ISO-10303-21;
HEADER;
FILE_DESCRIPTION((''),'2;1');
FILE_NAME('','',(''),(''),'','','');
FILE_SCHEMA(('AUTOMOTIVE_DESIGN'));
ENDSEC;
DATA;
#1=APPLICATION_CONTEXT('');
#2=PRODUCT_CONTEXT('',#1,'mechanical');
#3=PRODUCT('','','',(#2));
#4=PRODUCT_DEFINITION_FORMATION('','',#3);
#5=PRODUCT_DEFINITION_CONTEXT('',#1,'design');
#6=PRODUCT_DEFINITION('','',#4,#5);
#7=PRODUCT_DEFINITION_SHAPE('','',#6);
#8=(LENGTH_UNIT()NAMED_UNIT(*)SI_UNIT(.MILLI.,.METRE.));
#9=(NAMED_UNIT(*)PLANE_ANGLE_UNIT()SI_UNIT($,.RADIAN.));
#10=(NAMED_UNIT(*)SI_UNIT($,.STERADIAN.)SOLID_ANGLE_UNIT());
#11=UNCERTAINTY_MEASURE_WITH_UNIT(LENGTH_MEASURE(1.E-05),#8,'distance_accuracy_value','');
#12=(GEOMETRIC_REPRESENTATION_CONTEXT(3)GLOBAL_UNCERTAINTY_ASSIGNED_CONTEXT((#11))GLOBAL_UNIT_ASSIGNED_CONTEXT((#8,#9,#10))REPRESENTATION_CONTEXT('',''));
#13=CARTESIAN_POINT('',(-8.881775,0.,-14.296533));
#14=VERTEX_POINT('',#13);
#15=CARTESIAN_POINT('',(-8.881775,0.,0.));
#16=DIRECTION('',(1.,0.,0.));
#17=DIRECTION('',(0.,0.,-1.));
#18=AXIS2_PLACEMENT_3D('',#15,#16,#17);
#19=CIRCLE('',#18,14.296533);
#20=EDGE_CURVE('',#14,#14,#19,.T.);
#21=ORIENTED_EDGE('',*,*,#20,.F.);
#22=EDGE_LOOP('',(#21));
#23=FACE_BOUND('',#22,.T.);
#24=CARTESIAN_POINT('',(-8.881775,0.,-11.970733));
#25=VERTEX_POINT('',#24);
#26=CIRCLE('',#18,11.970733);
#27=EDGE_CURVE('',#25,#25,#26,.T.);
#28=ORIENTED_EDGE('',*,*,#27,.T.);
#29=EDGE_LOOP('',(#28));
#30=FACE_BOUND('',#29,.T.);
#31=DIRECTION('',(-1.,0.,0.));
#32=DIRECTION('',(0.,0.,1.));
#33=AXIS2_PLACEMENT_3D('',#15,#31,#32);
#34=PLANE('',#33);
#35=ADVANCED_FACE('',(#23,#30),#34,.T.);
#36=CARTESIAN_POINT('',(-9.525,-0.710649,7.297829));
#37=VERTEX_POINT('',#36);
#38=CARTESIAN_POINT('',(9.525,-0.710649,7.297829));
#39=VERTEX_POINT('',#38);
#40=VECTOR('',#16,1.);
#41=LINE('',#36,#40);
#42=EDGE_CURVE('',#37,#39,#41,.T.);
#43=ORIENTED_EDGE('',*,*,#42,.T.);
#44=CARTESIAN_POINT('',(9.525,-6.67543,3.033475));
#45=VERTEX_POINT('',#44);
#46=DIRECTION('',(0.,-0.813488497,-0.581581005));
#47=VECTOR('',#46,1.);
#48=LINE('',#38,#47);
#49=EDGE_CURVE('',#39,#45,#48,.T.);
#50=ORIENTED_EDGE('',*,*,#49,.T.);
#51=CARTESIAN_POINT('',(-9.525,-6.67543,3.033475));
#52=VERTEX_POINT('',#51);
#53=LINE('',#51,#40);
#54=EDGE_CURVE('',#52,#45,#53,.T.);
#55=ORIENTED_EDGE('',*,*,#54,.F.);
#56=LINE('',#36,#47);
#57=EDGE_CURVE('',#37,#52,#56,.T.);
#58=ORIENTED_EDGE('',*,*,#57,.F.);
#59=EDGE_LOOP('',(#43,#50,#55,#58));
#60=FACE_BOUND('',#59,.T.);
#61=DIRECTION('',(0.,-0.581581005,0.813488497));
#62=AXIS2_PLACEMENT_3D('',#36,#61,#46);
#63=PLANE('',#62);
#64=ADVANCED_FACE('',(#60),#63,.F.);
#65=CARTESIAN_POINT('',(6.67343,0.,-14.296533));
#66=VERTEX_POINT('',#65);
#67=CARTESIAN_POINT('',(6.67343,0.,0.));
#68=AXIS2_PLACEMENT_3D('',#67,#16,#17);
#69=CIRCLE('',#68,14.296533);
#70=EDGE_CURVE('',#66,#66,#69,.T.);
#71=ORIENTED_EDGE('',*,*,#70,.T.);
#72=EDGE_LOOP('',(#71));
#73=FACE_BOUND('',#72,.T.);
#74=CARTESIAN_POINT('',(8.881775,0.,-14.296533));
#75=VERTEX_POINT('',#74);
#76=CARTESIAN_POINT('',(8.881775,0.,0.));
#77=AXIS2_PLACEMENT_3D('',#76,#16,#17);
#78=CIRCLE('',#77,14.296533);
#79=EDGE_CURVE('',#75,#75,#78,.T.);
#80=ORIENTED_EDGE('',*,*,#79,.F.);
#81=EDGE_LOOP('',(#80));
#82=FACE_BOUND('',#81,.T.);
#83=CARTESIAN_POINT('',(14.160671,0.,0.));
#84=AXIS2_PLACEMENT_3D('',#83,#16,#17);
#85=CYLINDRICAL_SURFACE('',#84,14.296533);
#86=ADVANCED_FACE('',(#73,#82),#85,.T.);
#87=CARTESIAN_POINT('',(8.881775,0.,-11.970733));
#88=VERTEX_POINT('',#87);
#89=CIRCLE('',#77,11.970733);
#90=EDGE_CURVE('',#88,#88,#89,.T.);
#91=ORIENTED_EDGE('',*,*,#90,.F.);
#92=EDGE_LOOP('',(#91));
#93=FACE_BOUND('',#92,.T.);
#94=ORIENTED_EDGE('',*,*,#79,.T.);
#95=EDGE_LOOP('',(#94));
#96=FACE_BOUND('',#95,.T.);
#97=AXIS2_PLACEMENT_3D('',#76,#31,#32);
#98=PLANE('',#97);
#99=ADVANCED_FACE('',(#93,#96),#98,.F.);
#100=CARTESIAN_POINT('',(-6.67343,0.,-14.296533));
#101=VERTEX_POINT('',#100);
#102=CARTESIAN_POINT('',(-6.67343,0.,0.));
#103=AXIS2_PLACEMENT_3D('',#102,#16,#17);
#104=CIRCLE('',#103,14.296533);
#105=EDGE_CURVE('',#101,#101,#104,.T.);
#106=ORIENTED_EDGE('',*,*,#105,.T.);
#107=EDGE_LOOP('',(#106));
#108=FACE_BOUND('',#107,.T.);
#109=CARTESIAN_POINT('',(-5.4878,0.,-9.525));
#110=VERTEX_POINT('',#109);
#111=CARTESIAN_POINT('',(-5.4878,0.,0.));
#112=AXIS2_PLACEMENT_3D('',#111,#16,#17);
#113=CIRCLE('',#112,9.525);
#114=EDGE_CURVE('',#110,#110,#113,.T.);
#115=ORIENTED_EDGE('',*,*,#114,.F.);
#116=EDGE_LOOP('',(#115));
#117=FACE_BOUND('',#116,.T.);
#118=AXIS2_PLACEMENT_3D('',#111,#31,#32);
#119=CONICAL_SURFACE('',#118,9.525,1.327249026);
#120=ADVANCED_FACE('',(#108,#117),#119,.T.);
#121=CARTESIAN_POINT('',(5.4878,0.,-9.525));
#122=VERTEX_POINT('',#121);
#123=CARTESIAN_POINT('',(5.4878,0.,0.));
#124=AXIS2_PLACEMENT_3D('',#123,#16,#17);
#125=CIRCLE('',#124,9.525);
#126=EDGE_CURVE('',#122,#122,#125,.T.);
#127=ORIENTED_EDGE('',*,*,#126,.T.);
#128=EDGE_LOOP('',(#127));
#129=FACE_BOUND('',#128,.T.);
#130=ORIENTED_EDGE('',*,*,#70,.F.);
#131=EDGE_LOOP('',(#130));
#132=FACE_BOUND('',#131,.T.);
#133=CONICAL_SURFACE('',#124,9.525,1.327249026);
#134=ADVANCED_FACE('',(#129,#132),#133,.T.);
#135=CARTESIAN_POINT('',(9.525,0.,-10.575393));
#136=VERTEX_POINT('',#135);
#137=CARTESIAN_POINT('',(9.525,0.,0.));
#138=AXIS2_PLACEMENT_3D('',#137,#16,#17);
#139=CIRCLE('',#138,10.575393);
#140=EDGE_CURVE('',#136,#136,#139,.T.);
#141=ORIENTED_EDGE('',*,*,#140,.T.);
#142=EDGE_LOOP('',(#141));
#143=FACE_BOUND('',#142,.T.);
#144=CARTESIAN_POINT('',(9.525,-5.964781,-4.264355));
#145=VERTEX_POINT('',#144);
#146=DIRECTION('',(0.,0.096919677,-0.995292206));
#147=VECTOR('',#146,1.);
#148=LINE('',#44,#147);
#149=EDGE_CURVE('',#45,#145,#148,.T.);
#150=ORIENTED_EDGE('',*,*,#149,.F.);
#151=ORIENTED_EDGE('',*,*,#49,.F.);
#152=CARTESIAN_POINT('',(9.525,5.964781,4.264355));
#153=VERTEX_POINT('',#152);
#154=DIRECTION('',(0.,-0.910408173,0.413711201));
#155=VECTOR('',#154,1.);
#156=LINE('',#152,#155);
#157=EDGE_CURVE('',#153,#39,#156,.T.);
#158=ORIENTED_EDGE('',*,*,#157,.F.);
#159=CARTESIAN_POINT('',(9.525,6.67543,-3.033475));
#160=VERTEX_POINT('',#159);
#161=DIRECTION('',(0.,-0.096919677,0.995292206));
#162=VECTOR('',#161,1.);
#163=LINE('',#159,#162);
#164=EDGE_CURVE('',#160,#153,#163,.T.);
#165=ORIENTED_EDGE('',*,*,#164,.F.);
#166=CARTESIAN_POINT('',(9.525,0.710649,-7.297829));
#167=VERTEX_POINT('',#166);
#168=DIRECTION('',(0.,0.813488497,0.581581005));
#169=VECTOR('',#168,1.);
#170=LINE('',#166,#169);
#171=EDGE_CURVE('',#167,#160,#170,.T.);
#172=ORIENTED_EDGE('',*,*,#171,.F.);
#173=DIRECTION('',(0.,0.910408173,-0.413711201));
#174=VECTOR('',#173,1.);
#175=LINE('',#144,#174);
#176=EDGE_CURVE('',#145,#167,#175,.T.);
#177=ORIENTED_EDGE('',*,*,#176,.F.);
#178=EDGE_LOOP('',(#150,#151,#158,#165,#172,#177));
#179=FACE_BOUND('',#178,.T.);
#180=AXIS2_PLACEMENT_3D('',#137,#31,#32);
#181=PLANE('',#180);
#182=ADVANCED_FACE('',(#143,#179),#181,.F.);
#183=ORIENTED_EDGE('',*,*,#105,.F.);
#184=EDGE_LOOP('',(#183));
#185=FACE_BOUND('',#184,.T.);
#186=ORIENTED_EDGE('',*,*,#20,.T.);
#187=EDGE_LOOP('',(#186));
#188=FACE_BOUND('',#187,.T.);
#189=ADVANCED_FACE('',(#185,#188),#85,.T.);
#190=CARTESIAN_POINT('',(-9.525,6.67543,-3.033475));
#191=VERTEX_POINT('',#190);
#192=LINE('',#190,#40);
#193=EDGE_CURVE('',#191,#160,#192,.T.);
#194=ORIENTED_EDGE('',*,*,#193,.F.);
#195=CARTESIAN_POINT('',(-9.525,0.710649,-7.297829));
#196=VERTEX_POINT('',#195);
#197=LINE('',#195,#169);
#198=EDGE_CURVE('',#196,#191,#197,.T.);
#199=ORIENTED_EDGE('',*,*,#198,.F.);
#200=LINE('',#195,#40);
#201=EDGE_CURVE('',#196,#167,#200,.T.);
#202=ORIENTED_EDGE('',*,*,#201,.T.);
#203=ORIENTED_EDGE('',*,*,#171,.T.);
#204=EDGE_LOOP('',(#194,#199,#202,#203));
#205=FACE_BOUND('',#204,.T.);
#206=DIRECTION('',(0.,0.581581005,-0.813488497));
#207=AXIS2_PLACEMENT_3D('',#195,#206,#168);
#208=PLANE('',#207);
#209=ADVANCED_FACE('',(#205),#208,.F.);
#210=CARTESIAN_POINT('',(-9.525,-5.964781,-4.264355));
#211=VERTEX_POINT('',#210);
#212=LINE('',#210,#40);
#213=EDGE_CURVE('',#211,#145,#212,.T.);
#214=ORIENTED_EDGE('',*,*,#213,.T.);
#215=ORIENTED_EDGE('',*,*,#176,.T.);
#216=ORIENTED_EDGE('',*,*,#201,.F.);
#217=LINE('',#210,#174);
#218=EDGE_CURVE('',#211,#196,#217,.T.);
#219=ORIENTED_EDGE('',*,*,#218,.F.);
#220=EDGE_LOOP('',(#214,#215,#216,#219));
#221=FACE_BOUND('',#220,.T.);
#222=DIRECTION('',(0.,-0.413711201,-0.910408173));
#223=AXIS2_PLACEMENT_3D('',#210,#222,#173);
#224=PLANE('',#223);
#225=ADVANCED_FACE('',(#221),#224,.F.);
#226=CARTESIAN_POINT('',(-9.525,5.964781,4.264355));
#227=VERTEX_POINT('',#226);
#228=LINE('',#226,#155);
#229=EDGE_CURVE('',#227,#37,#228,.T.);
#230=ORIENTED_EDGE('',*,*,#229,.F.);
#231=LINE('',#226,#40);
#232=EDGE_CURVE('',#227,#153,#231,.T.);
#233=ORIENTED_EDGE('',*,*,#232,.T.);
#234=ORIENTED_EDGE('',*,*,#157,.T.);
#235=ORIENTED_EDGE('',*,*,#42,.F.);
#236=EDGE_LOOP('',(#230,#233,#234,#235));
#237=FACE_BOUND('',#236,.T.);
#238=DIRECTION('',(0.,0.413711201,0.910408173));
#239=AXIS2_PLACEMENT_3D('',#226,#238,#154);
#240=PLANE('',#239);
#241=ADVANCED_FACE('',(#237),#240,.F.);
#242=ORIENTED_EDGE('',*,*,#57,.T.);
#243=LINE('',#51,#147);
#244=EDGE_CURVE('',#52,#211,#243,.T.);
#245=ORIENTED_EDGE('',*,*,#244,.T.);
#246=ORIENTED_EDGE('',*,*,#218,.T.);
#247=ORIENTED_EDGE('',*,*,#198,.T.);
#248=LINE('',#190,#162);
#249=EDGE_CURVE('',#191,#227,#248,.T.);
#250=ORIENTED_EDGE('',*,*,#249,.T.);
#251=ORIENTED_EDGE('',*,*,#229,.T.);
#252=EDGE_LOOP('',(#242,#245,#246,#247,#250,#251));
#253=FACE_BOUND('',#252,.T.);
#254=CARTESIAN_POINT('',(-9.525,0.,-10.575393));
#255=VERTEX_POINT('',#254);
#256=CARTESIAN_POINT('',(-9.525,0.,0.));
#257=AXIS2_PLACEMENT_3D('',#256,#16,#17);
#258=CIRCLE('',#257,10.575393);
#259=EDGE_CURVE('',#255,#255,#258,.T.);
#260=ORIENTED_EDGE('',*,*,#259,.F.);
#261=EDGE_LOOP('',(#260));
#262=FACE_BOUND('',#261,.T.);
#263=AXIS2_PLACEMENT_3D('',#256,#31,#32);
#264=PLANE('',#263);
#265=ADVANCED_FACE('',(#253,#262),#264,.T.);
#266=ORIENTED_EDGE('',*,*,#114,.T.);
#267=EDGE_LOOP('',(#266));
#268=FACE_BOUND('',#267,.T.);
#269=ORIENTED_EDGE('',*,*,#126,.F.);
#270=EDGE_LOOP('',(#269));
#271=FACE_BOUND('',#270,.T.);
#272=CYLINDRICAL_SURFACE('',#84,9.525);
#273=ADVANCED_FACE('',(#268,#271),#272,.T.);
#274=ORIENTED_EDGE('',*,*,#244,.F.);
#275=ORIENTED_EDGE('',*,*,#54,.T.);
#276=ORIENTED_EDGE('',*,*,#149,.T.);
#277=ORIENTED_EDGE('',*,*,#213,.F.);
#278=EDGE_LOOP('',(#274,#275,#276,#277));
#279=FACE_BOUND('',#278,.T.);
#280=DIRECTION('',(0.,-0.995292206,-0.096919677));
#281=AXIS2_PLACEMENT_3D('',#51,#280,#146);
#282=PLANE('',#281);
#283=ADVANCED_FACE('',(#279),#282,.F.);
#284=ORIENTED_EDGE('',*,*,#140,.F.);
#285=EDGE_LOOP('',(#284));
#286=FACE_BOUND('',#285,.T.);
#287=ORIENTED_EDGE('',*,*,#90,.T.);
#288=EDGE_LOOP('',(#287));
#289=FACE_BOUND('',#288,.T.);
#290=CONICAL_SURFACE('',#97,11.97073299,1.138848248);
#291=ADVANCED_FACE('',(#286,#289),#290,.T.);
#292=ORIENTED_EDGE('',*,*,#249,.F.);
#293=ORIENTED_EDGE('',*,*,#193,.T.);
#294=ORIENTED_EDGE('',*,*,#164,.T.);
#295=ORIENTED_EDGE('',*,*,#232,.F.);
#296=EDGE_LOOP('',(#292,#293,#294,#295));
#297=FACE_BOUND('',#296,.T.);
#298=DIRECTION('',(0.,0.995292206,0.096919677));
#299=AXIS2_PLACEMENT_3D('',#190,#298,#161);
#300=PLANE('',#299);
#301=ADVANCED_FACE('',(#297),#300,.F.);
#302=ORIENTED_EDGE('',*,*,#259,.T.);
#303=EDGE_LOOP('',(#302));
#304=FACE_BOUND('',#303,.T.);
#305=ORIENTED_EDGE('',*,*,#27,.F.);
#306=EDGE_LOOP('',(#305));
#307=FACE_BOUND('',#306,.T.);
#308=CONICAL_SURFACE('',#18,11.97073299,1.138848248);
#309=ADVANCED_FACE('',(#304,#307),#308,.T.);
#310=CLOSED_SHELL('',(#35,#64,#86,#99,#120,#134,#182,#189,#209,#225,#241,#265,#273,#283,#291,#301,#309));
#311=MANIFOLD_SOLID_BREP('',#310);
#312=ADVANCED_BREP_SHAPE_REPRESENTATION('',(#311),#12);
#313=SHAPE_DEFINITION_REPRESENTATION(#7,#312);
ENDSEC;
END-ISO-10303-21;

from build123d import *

# Parameters (mm, degrees)
CUT_EXTRUDE1_DEPTH = 28.77920446


with BuildPart() as part:
    # Sketch2 → Revolve1 (revolve)
    with BuildSketch(Plane.XY, mode=Mode.PRIVATE) as revolve1_sk:
        Polygon((0, 9.525), (0, 0), (9.525, 0), (9.525, 10.575392629), (8.881774662, 11.97073299), (8.881774662, 14.296532804), (6.673429623, 14.296532804), (5.487800488, 9.525), align=None)
        Polygon((-9.525, 0), (0, 0), (0, 9.525), (-5.487800488, 9.525), (-6.673429623, 14.296532804), (-8.881774662, 14.296532804), (-8.881774662, 11.97073299), (-9.525, 10.575392629), align=None)
    revolve(revolve1_sk.sketch.rotate(Axis((14.160671305, 0, 0), (-1, 0, 0)), 90), axis=Axis((14.160671305, 0, 0), (-1, 0, 0)))

    # Sketch3 → Cut-Extrude1 (cut, through all)
    with BuildSketch(Plane(origin=(9.525, 0, 0), x_dir=(0, 0, -1), z_dir=(1, 0, 0))):
        Polygon((4.264354564, -5.964781093), (7.297829236, 0.710648837), (3.033474672, 6.67542993), (-4.264354564, 5.964781093), (-7.297829236, -0.710648837), (-3.033474672, -6.67542993), align=None)
    extrude(amount=-CUT_EXTRUDE1_DEPTH, mode=Mode.SUBTRACT)


solid = part.part
